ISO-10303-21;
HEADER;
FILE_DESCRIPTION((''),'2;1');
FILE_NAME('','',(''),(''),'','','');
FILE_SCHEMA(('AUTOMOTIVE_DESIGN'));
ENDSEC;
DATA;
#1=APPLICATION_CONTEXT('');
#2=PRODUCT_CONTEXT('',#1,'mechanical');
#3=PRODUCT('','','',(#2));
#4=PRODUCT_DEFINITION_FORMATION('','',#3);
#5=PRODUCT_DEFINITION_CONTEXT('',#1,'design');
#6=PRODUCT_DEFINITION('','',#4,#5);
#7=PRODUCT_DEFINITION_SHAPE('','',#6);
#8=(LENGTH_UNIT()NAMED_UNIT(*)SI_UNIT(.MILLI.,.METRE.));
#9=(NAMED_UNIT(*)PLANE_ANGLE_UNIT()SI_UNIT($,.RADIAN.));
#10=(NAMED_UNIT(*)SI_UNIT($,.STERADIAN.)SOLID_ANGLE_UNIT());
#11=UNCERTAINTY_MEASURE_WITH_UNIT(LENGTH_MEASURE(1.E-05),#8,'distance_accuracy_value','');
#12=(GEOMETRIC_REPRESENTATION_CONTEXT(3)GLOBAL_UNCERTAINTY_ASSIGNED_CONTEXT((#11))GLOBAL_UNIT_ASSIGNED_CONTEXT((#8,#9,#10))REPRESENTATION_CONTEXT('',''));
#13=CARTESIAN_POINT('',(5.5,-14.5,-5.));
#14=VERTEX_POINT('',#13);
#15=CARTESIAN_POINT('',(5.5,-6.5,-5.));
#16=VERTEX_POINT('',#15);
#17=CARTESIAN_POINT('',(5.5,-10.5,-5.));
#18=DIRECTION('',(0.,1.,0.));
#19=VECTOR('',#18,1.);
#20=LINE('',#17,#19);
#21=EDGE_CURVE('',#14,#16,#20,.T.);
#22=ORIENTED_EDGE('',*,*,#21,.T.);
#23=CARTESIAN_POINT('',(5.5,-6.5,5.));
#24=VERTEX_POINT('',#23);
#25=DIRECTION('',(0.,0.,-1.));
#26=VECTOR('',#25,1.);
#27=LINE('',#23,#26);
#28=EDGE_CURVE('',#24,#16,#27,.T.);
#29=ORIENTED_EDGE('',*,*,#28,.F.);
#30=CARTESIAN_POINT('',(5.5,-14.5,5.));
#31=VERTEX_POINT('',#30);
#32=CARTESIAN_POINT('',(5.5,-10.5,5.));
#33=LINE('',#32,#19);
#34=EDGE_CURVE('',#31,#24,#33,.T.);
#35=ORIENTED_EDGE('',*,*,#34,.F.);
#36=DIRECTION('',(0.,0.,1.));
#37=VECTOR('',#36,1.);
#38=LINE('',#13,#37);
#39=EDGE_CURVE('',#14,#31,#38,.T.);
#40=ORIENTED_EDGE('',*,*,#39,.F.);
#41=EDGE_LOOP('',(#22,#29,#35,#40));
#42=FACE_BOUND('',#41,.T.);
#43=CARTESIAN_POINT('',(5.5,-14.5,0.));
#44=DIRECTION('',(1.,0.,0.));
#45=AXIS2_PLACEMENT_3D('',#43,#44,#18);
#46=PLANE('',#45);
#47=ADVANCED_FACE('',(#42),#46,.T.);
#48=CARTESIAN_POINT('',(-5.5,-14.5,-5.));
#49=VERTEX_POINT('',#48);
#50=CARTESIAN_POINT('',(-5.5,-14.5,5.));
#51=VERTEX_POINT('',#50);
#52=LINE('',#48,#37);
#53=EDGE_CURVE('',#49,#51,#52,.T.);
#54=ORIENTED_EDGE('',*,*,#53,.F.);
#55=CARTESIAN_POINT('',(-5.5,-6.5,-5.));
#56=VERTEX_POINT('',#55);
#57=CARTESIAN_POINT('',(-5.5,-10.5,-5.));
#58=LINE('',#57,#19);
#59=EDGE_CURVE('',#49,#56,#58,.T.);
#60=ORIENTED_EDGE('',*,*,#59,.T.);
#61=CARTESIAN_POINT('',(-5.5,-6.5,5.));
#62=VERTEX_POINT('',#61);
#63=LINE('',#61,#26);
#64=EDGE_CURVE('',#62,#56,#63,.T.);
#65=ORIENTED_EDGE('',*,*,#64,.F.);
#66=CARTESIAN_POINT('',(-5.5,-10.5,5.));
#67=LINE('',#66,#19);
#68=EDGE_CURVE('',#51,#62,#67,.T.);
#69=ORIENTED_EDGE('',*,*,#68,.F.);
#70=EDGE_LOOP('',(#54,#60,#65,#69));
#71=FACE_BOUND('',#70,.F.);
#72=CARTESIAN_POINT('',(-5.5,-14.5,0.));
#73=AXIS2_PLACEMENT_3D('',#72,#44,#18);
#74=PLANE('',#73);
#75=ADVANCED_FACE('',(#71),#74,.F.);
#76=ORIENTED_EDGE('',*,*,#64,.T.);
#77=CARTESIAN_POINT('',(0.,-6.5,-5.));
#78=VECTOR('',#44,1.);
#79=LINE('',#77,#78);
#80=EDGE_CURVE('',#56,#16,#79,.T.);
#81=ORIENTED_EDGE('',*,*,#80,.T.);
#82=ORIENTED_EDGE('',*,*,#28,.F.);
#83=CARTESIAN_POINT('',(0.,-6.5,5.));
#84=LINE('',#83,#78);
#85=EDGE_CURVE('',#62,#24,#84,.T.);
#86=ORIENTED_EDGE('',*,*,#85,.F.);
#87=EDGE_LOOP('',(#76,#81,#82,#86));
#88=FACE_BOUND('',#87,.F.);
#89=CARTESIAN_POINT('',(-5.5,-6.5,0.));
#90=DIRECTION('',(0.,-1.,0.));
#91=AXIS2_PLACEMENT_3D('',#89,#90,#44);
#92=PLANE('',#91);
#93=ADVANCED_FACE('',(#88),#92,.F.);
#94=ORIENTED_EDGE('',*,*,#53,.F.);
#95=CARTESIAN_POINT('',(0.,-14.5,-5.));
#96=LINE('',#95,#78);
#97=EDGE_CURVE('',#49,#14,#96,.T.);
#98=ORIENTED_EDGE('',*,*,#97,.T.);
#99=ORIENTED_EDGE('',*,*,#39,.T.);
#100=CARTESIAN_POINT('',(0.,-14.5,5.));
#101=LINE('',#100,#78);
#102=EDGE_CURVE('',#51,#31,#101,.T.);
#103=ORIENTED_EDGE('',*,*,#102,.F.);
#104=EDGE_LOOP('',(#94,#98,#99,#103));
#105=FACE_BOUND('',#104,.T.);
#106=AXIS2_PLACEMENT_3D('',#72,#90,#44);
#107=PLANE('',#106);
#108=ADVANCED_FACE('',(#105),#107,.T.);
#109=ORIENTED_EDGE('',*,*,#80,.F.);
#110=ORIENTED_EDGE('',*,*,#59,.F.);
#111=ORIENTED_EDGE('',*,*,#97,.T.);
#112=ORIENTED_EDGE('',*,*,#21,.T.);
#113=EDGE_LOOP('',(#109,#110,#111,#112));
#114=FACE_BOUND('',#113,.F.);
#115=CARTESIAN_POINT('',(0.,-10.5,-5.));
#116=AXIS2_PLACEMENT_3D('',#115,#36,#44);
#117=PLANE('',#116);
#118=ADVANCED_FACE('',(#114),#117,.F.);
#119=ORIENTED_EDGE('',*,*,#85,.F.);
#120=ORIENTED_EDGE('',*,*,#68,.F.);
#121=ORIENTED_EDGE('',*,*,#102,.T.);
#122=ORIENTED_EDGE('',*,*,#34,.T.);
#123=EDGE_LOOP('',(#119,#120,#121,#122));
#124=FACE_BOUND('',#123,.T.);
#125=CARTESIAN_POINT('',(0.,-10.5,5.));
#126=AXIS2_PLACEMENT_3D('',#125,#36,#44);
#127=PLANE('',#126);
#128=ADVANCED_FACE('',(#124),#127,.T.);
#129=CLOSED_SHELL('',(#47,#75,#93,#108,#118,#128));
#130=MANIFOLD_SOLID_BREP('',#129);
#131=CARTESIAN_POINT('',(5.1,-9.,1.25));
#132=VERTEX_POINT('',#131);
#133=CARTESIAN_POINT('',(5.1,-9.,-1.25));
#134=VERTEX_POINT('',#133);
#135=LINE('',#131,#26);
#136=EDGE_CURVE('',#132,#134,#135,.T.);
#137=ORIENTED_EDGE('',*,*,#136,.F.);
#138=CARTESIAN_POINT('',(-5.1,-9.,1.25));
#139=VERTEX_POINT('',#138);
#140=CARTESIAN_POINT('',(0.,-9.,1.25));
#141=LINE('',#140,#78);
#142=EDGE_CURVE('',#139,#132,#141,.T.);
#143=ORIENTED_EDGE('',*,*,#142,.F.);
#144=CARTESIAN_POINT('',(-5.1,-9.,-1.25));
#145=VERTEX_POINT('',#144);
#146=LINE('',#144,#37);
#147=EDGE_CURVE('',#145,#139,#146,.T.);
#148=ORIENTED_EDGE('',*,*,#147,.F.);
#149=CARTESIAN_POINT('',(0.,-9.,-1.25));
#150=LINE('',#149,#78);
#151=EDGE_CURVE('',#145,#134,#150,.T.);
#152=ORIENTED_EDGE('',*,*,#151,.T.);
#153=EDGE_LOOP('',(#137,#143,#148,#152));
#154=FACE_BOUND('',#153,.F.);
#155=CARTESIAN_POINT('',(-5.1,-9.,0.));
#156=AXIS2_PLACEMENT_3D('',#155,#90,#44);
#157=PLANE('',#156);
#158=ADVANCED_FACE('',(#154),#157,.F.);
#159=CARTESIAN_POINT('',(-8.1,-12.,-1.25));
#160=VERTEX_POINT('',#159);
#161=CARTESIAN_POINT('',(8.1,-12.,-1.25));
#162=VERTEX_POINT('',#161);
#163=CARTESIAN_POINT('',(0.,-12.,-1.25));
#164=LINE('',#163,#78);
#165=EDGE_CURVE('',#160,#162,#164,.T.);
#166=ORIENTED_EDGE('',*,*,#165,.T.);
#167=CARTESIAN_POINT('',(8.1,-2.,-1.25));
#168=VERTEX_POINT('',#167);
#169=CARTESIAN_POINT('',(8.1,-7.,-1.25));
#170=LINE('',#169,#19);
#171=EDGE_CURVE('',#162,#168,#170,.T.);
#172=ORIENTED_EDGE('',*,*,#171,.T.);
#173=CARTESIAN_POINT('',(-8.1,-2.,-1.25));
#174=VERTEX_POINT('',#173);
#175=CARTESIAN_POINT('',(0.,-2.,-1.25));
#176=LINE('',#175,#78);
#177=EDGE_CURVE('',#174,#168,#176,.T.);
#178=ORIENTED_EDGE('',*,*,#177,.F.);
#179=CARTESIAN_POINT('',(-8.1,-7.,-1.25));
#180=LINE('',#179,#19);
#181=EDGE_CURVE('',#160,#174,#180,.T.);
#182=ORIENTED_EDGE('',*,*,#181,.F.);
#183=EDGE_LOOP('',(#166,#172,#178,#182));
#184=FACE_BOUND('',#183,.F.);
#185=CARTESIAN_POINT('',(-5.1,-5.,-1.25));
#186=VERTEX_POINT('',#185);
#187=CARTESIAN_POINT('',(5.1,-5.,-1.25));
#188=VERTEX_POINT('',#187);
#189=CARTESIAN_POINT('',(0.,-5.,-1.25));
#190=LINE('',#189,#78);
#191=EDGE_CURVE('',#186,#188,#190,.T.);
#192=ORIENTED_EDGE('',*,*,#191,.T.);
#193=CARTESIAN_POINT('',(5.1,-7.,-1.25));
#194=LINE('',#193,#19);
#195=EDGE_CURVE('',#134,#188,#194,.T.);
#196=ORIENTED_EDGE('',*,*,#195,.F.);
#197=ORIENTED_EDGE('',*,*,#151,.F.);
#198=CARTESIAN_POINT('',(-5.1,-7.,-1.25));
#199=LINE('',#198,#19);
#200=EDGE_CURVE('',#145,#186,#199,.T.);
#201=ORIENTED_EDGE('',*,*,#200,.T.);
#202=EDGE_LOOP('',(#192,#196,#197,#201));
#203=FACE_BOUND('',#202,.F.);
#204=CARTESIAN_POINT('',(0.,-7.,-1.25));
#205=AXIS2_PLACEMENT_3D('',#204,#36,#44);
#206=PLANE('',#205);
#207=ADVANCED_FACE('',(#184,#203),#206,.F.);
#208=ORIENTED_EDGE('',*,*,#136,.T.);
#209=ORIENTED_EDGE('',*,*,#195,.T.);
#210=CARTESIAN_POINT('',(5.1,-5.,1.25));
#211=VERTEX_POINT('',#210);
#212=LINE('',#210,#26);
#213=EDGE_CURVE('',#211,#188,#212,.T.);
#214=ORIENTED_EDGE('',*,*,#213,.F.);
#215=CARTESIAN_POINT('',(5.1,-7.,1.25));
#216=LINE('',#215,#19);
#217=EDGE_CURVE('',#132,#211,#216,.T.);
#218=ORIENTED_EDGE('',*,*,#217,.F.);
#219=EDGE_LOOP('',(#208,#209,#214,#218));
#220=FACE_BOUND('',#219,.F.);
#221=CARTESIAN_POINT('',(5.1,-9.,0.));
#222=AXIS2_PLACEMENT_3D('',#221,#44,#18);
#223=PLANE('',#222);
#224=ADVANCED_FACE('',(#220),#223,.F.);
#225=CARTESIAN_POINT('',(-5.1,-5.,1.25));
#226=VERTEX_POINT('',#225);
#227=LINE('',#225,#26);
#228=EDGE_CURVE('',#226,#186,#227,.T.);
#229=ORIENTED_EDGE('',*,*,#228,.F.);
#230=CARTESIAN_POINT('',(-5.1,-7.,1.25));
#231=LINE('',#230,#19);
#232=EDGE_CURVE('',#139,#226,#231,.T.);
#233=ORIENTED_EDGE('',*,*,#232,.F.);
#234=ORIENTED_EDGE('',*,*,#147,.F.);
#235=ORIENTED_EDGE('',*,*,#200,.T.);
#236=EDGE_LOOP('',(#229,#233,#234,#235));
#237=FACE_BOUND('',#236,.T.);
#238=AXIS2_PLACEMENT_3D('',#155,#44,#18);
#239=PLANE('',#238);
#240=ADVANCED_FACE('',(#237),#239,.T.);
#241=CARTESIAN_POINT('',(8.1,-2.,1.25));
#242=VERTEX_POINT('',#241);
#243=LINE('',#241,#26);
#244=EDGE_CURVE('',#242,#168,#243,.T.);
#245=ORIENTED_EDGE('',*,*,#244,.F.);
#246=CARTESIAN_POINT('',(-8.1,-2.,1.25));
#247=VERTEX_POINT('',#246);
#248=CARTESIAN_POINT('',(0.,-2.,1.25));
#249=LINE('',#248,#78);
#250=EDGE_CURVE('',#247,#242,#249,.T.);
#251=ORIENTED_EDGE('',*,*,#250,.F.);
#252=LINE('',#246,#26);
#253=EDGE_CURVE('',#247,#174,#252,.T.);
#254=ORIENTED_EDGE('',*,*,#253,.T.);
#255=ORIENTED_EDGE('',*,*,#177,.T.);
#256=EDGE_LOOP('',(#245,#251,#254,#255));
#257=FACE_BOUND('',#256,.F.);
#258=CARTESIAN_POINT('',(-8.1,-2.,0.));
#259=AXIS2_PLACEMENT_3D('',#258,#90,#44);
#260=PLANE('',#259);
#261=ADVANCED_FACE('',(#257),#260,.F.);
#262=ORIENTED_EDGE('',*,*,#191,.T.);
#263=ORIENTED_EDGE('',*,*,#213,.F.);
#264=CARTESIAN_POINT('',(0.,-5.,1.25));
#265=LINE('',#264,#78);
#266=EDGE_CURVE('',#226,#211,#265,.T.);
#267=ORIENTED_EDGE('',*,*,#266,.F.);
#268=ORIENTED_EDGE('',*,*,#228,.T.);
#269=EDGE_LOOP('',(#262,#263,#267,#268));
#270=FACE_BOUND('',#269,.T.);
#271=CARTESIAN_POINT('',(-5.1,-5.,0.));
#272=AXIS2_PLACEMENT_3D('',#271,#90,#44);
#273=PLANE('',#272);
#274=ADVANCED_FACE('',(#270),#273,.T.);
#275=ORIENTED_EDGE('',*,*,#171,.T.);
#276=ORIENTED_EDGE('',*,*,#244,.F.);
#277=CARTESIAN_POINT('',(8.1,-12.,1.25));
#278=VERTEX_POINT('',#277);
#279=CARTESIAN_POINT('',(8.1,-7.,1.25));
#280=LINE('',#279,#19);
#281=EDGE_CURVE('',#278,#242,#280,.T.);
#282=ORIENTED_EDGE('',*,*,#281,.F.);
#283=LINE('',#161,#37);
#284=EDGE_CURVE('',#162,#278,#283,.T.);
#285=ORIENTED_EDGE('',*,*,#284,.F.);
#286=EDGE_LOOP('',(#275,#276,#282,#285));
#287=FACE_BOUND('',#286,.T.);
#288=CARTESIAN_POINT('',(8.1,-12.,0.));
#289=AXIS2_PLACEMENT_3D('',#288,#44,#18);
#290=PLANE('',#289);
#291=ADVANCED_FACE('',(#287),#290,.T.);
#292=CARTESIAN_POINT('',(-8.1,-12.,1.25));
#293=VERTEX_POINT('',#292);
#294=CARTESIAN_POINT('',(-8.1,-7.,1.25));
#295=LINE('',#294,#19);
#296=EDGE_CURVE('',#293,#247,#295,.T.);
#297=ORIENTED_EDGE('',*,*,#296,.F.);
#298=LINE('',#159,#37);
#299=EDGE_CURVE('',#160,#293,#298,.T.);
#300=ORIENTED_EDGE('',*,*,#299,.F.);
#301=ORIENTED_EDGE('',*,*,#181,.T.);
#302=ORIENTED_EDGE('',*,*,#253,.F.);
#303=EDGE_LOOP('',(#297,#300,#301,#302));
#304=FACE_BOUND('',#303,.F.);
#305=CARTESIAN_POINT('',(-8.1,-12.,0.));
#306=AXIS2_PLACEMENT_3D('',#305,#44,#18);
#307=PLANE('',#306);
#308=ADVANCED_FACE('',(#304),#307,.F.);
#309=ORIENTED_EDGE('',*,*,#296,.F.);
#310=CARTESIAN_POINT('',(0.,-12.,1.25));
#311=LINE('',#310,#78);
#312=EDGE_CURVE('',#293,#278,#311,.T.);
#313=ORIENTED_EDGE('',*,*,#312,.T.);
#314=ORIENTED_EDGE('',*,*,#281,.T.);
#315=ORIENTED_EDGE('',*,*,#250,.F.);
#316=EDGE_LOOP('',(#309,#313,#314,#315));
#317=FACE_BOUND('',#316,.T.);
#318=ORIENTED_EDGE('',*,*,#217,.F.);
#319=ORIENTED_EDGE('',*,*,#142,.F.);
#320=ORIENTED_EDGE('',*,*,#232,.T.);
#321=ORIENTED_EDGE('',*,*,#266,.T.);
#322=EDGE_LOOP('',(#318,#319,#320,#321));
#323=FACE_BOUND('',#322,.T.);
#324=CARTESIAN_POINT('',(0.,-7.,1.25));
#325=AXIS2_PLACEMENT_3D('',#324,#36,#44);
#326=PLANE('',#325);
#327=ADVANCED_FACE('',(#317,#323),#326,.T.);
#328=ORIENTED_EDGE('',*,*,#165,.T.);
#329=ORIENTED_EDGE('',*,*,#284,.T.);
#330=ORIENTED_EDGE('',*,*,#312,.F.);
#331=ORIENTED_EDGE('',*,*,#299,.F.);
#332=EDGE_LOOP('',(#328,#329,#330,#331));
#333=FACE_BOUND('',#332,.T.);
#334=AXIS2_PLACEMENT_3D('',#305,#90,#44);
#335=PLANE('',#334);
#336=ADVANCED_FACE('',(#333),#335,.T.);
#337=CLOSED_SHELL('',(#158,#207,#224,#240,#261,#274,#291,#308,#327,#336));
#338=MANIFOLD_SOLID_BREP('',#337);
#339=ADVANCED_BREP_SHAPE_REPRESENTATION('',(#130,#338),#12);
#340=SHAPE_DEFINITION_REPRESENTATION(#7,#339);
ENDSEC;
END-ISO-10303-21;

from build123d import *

# Parameters (mm, degrees)
F0_W     = 16.2
F0_H     = 10
F0_W_2   = 10.2
F0_H_2   = 4
F1_DEPTH = 1.25
F2_W     = 11
F2_H     = 8
F3_DEPTH = 5


with BuildPart() as f1:
    # F0 (on Top) → F1 (new body, symmetric)
    with BuildSketch(Plane.XY):
        with Locations((0, -7)):
            Rectangle(F0_W, F0_H)
        with Locations((0, -7)):
            Rectangle(F0_W_2, F0_H_2, mode=Mode.SUBTRACT)
    extrude(amount=F1_DEPTH, both=True)


with BuildPart() as f3:
    # F2 (on Top) → F3 (new body, symmetric)
    with BuildSketch(Plane.XY):
        with Locations((0, -10.5)):
            Rectangle(F2_W, F2_H)
    extrude(amount=F3_DEPTH, both=True)


solid = Compound([f1.part, f3.part])
